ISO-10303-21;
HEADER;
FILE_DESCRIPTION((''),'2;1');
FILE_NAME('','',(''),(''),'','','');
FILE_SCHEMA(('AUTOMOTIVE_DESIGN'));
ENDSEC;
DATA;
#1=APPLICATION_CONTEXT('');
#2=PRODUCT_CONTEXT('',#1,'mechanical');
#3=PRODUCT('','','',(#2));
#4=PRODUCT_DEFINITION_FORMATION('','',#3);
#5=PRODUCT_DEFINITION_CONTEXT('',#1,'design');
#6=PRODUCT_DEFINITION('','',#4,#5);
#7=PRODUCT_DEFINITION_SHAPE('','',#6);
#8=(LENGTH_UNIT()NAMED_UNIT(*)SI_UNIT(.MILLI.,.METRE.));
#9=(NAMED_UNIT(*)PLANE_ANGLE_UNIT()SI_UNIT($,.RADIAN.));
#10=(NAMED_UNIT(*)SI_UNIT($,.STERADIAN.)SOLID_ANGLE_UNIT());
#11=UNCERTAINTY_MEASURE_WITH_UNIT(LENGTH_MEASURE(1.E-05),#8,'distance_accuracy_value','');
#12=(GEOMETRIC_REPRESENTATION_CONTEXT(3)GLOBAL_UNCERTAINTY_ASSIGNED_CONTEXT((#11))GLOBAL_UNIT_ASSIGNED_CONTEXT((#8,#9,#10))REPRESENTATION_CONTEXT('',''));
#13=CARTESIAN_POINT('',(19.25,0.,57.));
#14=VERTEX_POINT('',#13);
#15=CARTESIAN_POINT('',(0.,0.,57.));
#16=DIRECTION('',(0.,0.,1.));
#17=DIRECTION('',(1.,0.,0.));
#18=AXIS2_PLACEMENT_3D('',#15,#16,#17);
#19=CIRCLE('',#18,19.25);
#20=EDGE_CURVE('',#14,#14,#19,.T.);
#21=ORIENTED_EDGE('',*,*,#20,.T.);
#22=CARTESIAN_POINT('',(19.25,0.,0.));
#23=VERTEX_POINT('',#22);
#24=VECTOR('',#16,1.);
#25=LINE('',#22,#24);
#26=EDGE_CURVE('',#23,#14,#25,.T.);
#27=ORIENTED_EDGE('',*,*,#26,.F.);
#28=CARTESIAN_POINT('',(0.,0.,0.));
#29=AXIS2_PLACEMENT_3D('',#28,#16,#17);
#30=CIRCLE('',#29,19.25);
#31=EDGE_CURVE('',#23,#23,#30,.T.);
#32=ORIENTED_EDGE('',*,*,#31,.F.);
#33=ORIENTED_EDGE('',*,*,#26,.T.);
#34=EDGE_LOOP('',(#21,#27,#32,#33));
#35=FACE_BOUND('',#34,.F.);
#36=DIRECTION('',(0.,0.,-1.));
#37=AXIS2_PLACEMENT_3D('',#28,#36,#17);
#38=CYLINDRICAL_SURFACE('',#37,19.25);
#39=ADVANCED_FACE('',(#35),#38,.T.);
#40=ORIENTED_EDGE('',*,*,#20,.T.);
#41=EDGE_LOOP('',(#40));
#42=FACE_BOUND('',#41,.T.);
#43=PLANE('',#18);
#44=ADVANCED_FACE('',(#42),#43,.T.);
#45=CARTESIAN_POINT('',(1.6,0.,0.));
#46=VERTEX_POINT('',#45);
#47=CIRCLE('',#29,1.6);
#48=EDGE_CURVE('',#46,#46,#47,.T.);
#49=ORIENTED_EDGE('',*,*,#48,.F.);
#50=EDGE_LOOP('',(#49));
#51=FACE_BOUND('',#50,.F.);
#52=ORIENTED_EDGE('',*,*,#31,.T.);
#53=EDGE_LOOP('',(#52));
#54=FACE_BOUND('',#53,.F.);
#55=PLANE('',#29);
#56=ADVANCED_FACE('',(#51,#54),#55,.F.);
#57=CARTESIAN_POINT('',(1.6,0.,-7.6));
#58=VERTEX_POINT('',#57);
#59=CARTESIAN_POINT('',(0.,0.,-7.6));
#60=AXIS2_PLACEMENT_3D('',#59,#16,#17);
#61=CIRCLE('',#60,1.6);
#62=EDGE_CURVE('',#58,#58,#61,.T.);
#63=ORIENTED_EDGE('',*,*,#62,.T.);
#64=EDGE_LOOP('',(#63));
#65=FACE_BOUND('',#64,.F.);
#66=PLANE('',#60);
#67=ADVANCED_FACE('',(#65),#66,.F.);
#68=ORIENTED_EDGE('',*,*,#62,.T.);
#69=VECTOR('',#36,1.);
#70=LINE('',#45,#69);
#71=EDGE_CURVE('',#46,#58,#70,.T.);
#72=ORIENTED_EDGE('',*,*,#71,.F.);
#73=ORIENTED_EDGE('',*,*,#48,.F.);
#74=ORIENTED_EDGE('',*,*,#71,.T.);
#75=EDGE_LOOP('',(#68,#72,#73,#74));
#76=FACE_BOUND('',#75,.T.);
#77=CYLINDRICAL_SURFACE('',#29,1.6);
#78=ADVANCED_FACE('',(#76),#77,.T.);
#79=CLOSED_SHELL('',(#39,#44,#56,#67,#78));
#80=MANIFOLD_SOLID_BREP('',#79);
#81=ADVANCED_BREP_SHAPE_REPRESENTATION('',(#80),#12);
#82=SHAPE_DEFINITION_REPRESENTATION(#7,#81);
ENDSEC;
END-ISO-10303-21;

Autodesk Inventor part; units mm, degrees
ref_plane "YZ Plane" through (0, 0, 0) normal (1, 0, 0) x (0, 1, 0)
ref_plane "XZ Plane" through (0, 0, 0) normal (0, 1, 0) x (-1, 0, 0)
ref_plane "XY Plane" through (0, 0, 0) normal (0, 0, 1) x (1, 0, 0)
sketch "Sketch1" plane through (0, 0, 0) normal (0, 0, 1) x (1, 0, 0)
  circle A0 centre (0, 0) radius 19.25
  circle A1 centre (0, 0) radius 1.6
  dimension "d0" = 38.5
  dimension "d2" = 3.2
extrude "Extrusion1" add sketch "Sketch1" along normal blind 57 contours A0 | A1
extrude "Extrusion2" add sketch "Sketch1" against normal blind 7.6 contours A1
properties part number "Banebots 550 Can - Temporary"
